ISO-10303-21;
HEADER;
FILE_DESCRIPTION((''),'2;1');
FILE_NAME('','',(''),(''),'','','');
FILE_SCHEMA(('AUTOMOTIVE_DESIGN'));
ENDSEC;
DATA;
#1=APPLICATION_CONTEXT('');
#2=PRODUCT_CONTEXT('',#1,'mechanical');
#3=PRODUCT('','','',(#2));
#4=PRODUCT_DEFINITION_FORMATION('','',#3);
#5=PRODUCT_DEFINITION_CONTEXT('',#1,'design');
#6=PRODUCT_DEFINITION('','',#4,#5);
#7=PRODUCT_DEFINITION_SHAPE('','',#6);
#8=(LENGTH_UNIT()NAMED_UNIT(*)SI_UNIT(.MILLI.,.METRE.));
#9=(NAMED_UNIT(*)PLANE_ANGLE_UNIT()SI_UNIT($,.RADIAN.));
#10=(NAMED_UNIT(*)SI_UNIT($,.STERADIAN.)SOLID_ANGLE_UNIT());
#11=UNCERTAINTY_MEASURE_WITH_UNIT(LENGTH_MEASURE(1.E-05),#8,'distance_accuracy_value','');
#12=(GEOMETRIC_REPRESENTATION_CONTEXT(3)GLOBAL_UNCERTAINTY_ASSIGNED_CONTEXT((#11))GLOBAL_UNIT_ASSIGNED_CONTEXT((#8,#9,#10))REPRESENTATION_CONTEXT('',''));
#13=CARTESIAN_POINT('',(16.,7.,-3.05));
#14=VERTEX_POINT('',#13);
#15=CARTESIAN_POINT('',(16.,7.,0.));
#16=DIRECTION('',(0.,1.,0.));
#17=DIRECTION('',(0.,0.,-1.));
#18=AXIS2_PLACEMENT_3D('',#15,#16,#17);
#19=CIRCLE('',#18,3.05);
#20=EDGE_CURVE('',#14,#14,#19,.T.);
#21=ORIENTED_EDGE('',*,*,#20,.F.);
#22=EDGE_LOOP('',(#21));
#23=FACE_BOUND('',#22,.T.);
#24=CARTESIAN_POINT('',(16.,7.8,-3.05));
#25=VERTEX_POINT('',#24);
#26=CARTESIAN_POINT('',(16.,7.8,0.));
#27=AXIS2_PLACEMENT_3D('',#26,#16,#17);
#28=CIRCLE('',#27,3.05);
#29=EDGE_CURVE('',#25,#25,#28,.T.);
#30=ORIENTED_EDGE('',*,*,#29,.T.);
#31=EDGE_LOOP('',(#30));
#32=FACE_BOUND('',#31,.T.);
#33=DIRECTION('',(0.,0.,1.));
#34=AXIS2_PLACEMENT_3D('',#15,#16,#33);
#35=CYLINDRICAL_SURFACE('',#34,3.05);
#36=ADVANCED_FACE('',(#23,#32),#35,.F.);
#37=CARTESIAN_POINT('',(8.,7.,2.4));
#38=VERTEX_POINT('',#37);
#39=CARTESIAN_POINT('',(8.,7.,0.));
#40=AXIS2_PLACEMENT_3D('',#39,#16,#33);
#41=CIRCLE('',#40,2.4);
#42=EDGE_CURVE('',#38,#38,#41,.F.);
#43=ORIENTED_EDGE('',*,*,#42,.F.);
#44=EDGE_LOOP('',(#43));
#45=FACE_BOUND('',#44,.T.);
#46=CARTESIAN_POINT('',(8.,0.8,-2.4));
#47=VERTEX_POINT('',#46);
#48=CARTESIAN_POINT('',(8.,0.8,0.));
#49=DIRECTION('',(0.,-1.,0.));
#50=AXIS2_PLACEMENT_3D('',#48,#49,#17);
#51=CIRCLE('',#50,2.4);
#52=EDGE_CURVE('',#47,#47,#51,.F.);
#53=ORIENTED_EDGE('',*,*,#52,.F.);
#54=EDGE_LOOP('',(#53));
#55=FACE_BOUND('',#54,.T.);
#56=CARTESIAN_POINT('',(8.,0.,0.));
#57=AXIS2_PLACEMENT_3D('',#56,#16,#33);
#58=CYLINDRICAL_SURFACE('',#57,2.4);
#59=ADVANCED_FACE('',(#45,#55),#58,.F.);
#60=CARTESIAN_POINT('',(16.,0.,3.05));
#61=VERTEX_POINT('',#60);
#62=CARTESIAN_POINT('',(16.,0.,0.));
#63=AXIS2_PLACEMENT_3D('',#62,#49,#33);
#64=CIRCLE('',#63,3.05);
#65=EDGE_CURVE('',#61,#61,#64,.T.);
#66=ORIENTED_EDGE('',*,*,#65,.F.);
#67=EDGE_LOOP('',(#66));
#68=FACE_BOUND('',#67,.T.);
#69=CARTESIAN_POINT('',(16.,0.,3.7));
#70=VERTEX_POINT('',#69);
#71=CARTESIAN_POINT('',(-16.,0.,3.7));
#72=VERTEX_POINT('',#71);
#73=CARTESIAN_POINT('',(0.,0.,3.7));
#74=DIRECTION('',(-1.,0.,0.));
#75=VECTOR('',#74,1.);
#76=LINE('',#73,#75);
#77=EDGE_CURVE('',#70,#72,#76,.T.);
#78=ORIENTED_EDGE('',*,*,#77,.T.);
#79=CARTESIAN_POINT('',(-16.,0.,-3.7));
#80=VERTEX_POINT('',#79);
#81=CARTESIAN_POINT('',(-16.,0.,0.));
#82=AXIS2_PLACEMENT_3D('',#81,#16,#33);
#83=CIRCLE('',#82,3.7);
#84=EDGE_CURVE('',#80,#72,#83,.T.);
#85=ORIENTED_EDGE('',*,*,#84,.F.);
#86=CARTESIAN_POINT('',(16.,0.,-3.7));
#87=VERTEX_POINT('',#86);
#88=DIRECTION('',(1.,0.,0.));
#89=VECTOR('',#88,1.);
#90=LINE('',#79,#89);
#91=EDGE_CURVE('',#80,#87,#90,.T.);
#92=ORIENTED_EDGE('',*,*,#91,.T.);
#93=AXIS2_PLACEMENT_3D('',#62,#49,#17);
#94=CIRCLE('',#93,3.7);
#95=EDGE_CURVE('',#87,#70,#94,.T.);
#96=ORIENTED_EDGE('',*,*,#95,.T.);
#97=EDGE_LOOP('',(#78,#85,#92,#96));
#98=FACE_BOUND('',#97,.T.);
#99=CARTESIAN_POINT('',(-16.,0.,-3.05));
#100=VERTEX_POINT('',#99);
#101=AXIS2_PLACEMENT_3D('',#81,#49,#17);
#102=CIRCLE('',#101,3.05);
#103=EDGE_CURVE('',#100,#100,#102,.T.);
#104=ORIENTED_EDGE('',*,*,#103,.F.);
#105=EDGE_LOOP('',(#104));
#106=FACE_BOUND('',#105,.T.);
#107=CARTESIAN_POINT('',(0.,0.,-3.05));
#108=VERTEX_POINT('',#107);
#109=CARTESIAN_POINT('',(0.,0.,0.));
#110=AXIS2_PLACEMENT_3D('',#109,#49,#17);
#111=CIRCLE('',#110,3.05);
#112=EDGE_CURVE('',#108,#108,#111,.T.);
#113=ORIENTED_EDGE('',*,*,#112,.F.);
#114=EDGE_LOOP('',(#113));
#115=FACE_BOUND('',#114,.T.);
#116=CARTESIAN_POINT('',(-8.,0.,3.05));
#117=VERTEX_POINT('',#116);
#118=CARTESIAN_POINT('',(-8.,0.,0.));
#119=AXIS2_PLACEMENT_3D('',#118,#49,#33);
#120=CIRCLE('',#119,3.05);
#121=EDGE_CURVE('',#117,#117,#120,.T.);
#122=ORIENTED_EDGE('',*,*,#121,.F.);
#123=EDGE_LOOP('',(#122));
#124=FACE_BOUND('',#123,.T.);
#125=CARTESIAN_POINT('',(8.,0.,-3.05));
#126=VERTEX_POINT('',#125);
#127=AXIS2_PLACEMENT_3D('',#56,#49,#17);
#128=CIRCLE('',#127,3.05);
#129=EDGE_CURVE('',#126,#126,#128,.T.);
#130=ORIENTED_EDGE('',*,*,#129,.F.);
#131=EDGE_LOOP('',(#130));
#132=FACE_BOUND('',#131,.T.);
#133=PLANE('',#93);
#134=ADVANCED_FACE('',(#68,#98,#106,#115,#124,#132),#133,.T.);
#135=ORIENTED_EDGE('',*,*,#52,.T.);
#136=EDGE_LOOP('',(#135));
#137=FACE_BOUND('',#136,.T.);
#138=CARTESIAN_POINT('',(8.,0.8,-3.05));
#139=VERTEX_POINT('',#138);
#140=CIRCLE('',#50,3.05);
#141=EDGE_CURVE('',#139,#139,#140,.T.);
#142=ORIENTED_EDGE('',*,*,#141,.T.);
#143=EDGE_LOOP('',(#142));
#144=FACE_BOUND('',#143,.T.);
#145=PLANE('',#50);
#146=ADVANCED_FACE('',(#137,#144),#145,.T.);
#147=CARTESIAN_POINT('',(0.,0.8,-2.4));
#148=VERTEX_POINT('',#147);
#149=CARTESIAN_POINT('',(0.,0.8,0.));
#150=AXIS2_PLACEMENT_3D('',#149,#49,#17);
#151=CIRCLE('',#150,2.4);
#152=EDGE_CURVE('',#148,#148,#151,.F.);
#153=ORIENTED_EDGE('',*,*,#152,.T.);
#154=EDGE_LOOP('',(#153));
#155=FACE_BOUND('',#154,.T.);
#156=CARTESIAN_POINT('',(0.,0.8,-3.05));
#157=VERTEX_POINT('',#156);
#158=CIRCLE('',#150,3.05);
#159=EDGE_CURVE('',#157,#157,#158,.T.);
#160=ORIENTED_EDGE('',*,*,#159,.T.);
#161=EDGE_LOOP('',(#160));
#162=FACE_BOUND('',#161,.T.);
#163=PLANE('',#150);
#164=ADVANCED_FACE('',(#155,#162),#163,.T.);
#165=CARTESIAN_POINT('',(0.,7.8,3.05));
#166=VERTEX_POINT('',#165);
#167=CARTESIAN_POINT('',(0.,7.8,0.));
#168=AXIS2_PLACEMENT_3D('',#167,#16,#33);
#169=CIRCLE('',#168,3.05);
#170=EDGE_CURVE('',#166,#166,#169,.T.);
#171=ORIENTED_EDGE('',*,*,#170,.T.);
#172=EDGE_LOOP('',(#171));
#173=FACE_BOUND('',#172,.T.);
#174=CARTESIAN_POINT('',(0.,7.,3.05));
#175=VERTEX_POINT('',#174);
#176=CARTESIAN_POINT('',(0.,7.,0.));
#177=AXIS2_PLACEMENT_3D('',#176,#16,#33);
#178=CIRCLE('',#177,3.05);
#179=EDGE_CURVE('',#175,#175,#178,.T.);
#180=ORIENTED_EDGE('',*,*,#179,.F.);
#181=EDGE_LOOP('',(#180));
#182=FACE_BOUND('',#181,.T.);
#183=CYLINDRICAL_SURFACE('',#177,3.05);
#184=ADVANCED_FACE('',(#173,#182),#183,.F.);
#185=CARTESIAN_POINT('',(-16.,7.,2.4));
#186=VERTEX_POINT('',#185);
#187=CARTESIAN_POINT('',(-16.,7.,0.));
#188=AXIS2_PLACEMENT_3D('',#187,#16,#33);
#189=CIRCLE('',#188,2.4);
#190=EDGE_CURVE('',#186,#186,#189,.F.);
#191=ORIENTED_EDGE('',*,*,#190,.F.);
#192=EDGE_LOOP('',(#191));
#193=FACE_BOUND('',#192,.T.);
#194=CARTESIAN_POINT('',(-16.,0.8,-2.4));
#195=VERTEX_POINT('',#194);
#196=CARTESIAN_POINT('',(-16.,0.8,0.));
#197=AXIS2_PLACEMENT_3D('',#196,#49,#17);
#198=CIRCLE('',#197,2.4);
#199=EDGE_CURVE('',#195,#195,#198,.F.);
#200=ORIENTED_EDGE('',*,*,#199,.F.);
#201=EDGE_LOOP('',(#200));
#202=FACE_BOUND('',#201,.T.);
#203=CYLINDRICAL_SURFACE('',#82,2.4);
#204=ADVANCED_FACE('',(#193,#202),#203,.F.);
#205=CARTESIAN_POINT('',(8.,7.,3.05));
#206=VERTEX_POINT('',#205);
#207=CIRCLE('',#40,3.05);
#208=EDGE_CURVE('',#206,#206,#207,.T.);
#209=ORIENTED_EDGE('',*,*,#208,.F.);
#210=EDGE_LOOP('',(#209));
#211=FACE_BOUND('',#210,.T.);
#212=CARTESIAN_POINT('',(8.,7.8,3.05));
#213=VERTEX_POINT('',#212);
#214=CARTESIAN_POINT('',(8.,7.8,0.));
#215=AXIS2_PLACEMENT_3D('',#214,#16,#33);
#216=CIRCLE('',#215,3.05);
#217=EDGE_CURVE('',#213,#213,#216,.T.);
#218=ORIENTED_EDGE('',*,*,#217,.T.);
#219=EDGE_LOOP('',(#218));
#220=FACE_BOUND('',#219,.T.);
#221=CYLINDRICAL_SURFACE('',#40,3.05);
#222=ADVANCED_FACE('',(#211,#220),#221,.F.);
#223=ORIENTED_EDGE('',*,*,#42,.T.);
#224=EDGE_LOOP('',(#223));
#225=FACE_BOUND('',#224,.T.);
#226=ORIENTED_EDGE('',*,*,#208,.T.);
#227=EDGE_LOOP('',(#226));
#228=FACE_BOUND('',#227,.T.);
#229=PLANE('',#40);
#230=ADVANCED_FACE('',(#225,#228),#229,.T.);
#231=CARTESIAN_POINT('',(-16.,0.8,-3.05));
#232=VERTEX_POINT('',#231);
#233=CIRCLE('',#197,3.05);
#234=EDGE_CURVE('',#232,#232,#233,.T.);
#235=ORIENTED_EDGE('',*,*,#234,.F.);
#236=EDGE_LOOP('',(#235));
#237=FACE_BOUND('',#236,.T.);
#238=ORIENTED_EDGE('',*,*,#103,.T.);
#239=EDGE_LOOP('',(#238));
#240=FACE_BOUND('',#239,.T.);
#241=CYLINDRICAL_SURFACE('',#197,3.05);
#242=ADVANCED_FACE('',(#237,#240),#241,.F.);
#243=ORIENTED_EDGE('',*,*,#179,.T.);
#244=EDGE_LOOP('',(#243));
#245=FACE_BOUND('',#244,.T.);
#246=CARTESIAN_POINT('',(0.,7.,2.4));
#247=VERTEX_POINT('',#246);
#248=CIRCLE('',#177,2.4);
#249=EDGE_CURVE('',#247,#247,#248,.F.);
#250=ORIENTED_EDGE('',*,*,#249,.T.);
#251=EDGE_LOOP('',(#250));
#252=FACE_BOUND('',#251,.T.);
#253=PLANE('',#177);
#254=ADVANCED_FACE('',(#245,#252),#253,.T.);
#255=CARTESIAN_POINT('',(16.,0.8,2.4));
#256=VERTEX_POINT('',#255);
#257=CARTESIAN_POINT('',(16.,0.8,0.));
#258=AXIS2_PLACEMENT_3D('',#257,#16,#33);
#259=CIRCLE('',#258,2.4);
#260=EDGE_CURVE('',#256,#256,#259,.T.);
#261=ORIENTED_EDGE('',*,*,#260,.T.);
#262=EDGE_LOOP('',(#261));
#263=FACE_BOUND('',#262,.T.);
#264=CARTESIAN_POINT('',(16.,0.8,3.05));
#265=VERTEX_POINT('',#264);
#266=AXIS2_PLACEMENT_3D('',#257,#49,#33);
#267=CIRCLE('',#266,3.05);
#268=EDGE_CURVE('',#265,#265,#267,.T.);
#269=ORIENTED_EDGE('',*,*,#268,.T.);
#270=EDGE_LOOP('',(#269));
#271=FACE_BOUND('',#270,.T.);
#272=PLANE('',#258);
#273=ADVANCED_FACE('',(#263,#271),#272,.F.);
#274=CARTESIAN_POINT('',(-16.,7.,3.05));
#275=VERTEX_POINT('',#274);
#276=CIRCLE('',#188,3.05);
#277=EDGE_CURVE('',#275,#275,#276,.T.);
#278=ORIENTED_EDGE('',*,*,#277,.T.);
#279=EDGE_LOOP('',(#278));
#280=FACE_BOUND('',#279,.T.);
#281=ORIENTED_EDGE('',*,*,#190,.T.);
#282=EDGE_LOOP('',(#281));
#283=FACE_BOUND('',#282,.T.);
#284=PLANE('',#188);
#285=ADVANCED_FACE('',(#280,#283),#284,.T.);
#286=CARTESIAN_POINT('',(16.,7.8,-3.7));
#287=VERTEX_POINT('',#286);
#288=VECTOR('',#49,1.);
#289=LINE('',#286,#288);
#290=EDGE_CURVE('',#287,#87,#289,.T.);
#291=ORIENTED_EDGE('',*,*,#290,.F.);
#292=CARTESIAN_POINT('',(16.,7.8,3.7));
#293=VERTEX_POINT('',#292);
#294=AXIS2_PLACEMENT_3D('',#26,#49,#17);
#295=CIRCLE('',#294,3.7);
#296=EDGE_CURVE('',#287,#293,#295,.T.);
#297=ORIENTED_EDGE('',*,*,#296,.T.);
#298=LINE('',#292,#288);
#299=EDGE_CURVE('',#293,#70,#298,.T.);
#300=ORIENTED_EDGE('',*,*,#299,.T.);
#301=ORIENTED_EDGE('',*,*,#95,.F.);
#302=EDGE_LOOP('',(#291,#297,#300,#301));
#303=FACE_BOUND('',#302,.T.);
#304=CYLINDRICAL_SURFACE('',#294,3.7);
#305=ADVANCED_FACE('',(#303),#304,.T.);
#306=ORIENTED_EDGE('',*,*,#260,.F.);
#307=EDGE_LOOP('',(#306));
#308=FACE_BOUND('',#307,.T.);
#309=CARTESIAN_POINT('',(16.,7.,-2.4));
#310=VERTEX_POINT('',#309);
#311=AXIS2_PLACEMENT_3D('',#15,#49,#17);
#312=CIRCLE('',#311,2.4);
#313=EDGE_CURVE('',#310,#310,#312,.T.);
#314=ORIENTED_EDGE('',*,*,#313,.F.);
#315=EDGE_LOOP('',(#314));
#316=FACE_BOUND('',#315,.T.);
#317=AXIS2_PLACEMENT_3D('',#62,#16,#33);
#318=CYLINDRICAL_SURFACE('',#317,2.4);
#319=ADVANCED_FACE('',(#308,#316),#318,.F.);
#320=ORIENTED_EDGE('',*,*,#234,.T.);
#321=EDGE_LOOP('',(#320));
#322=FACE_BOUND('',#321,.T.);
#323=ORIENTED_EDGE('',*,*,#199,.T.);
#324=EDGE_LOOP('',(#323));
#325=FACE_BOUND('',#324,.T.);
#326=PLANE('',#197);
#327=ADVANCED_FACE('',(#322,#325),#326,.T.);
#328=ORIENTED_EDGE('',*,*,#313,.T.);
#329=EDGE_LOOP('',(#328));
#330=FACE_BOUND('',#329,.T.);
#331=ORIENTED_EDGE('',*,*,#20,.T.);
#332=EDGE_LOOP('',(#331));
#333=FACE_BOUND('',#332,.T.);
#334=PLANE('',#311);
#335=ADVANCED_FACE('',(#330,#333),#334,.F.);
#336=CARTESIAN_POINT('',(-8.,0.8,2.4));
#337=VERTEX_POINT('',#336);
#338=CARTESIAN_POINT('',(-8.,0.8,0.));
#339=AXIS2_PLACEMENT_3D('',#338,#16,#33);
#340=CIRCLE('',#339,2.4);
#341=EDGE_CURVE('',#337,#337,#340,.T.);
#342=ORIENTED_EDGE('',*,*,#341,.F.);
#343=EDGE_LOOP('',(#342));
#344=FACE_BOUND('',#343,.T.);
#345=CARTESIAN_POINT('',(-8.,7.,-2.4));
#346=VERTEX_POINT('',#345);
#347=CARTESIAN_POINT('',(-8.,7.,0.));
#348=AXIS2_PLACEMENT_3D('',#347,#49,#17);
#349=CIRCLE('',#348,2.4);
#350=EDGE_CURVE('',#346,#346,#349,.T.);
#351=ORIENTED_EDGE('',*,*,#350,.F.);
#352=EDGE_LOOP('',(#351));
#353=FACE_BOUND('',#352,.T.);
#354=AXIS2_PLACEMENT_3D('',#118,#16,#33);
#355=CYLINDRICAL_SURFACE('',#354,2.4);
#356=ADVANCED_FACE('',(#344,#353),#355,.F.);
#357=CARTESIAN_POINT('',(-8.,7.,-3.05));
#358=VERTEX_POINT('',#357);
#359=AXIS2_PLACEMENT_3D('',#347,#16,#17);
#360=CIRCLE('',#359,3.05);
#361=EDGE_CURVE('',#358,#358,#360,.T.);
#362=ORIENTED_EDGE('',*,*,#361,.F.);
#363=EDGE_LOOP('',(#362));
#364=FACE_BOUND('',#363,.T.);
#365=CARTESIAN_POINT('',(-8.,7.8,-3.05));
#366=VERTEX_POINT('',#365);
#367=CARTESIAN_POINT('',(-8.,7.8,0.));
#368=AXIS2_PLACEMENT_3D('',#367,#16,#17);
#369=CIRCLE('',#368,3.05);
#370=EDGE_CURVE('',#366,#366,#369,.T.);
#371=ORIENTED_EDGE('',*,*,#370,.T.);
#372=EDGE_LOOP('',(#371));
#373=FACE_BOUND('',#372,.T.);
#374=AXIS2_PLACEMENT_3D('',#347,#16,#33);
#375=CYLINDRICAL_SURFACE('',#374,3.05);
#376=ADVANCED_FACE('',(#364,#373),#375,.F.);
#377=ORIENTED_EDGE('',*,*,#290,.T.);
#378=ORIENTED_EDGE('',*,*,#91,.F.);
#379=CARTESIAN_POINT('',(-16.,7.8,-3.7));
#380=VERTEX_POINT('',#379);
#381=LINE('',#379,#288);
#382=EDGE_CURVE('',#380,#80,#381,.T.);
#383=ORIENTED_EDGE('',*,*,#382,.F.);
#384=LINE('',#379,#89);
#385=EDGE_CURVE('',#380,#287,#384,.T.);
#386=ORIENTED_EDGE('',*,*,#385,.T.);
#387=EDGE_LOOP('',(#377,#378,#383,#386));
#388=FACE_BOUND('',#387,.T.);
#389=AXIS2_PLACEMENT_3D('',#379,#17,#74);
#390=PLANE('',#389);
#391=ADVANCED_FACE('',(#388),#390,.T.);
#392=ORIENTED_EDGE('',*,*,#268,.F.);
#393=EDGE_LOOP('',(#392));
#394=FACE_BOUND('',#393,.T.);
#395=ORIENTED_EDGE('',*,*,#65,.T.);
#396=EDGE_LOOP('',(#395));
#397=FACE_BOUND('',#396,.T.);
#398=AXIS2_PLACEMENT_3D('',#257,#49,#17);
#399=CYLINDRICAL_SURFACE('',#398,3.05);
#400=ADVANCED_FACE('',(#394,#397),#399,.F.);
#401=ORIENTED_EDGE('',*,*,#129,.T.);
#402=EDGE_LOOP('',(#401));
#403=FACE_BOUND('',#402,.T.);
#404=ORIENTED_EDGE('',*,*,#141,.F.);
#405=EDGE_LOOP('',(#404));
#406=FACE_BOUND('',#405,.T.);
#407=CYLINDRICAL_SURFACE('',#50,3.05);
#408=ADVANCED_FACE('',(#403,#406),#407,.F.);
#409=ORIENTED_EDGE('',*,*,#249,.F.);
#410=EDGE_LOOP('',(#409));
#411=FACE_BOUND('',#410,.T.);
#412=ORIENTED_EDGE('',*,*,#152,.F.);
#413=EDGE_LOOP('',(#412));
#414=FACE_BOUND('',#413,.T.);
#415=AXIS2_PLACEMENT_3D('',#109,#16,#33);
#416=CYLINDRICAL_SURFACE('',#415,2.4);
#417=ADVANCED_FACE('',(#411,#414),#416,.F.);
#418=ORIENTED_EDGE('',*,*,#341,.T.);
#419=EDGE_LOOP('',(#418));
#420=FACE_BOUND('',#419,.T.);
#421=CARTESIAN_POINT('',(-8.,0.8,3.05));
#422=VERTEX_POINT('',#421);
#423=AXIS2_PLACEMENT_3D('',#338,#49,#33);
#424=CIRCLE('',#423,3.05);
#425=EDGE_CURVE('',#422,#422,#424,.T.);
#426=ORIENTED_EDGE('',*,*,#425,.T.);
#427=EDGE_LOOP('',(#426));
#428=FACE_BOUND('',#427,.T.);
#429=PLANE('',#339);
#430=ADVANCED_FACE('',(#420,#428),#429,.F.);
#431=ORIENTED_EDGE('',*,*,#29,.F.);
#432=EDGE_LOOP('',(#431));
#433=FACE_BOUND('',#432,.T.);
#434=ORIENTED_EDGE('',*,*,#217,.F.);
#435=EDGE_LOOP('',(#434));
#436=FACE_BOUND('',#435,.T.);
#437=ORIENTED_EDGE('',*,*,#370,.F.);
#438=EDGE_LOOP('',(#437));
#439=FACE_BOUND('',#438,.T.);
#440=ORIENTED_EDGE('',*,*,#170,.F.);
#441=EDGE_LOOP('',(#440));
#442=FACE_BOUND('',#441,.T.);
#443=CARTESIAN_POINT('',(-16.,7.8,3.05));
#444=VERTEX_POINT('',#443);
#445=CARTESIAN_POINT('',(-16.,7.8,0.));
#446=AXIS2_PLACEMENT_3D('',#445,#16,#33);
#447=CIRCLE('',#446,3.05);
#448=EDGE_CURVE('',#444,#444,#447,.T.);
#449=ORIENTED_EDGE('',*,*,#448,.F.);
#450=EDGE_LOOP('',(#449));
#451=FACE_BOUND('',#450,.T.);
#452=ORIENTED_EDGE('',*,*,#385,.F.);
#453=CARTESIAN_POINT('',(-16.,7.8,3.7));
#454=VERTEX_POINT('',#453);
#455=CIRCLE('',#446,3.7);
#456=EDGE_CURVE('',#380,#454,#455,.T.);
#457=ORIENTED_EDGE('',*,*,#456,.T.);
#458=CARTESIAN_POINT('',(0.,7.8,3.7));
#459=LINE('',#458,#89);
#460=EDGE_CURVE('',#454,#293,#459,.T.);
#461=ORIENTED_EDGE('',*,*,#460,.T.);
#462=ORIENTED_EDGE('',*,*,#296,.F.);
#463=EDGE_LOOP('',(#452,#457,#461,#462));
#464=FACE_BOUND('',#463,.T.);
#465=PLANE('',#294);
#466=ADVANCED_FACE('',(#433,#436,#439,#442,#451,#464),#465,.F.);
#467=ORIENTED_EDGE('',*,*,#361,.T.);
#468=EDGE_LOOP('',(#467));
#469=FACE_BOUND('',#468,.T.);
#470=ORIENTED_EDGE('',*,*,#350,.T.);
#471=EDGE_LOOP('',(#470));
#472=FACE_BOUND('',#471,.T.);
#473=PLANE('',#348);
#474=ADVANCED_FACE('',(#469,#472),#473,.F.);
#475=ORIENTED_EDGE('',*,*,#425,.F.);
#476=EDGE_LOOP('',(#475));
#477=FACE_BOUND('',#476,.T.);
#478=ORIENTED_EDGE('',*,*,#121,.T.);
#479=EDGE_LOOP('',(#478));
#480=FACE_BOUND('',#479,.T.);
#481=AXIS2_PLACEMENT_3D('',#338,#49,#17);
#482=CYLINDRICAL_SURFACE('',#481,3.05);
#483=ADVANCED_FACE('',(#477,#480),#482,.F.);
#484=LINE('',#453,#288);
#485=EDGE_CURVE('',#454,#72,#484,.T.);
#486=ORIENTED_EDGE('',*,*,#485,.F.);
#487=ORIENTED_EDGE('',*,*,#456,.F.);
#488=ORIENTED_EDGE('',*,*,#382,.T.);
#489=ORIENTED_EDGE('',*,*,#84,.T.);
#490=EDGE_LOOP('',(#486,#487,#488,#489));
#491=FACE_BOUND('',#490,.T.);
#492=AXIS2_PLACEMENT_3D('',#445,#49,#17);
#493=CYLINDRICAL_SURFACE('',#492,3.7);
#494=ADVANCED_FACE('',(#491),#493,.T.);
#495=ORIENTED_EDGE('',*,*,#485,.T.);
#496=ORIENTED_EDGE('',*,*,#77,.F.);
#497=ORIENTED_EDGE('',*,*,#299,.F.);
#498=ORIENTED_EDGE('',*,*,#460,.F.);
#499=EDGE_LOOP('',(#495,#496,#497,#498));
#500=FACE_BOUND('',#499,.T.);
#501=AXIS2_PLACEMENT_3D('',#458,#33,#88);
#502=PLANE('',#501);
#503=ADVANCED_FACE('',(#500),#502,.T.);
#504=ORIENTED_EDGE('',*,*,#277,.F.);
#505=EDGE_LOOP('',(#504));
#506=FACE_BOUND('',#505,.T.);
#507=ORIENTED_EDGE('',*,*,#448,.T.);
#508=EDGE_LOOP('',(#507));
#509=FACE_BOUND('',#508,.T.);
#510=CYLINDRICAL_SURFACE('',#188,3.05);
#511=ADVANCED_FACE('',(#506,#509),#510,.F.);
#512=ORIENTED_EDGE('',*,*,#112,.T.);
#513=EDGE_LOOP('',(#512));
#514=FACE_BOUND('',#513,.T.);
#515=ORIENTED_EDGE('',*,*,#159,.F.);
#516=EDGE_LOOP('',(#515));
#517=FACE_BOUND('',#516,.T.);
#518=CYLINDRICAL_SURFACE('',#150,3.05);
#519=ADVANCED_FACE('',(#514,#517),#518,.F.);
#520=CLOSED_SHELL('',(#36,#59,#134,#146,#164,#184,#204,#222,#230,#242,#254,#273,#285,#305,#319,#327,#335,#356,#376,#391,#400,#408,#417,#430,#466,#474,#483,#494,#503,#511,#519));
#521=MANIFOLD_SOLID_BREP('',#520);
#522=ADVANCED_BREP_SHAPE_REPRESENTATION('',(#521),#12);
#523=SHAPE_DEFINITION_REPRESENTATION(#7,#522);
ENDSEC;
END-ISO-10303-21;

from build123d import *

# Parameters (mm, degrees)
BOSS_EXTRUDE3_DEPTH = 7.8
SKETCH2_R           = 2.4
CUT_EXTRUDE6_DEPTH  = 7.8
SKETCH3_R           = 3.05
CUT_EXTRUDE7_DEPTH  = 0.8
SKETCH4_R           = 3.05
CUT_EXTRUDE8_DEPTH  = 0.8


with BuildPart() as part:
    # Sketch1 → Boss-Extrude3 (new body)
    with BuildSketch(Plane(origin=(0, 0, 0), x_dir=(1, 0, 0), z_dir=(0, 1, 0))):
        with BuildLine():
            Line((-16, 3.7), (16, 3.7))
            ThreePointArc((16, 3.7), (19.7, 0), (16, -3.7))
            Line((16, -3.7), (0, -3.7))
            Line((0, -3.7), (-16, -3.7))
            ThreePointArc((-16, -3.7), (-19.7, 0), (-16, 3.7))
        make_face()
    extrude(amount=BOSS_EXTRUDE3_DEPTH)

    # Sketch2 → Cut-Extrude6 (cut)
    with BuildSketch(Plane(origin=(0, 7.8, 0), x_dir=(1, 0, 0), z_dir=(0, 1, 0))):
        Circle(SKETCH2_R)
        with Locations((8, 0)):
            Circle(SKETCH2_R)
        with Locations((16, 0)):
            Circle(SKETCH2_R)
        with Locations((-16, 0)):
            Circle(SKETCH2_R)
        with Locations((-8, 0)):
            Circle(SKETCH2_R)
    extrude(amount=-CUT_EXTRUDE6_DEPTH, mode=Mode.SUBTRACT)

    # Sketch3 → Cut-Extrude7 (cut)
    with BuildSketch(Plane(origin=(0, 7.8, 0), x_dir=(1, 0, 0), z_dir=(0, 1, 0))):
        Circle(SKETCH3_R)
        with Locations((8, 0)):
            Circle(SKETCH3_R)
        with Locations((16, 0)):
            Circle(SKETCH3_R)
        with Locations((-16, 0)):
            Circle(SKETCH3_R)
        with Locations((-8, 0)):
            Circle(SKETCH3_R)
    extrude(amount=-CUT_EXTRUDE7_DEPTH, mode=Mode.SUBTRACT)

    # Sketch4 → Cut-Extrude8 (cut)
    with BuildSketch(Plane.XZ):
        Circle(SKETCH4_R)
        with Locations((8, 0)):
            Circle(SKETCH4_R)
        with Locations((16, 0)):
            Circle(SKETCH4_R)
        with Locations((-16, 0)):
            Circle(SKETCH4_R)
        with Locations((-8, 0)):
            Circle(SKETCH4_R)
    extrude(amount=-CUT_EXTRUDE8_DEPTH, mode=Mode.SUBTRACT)


solid = part.part
